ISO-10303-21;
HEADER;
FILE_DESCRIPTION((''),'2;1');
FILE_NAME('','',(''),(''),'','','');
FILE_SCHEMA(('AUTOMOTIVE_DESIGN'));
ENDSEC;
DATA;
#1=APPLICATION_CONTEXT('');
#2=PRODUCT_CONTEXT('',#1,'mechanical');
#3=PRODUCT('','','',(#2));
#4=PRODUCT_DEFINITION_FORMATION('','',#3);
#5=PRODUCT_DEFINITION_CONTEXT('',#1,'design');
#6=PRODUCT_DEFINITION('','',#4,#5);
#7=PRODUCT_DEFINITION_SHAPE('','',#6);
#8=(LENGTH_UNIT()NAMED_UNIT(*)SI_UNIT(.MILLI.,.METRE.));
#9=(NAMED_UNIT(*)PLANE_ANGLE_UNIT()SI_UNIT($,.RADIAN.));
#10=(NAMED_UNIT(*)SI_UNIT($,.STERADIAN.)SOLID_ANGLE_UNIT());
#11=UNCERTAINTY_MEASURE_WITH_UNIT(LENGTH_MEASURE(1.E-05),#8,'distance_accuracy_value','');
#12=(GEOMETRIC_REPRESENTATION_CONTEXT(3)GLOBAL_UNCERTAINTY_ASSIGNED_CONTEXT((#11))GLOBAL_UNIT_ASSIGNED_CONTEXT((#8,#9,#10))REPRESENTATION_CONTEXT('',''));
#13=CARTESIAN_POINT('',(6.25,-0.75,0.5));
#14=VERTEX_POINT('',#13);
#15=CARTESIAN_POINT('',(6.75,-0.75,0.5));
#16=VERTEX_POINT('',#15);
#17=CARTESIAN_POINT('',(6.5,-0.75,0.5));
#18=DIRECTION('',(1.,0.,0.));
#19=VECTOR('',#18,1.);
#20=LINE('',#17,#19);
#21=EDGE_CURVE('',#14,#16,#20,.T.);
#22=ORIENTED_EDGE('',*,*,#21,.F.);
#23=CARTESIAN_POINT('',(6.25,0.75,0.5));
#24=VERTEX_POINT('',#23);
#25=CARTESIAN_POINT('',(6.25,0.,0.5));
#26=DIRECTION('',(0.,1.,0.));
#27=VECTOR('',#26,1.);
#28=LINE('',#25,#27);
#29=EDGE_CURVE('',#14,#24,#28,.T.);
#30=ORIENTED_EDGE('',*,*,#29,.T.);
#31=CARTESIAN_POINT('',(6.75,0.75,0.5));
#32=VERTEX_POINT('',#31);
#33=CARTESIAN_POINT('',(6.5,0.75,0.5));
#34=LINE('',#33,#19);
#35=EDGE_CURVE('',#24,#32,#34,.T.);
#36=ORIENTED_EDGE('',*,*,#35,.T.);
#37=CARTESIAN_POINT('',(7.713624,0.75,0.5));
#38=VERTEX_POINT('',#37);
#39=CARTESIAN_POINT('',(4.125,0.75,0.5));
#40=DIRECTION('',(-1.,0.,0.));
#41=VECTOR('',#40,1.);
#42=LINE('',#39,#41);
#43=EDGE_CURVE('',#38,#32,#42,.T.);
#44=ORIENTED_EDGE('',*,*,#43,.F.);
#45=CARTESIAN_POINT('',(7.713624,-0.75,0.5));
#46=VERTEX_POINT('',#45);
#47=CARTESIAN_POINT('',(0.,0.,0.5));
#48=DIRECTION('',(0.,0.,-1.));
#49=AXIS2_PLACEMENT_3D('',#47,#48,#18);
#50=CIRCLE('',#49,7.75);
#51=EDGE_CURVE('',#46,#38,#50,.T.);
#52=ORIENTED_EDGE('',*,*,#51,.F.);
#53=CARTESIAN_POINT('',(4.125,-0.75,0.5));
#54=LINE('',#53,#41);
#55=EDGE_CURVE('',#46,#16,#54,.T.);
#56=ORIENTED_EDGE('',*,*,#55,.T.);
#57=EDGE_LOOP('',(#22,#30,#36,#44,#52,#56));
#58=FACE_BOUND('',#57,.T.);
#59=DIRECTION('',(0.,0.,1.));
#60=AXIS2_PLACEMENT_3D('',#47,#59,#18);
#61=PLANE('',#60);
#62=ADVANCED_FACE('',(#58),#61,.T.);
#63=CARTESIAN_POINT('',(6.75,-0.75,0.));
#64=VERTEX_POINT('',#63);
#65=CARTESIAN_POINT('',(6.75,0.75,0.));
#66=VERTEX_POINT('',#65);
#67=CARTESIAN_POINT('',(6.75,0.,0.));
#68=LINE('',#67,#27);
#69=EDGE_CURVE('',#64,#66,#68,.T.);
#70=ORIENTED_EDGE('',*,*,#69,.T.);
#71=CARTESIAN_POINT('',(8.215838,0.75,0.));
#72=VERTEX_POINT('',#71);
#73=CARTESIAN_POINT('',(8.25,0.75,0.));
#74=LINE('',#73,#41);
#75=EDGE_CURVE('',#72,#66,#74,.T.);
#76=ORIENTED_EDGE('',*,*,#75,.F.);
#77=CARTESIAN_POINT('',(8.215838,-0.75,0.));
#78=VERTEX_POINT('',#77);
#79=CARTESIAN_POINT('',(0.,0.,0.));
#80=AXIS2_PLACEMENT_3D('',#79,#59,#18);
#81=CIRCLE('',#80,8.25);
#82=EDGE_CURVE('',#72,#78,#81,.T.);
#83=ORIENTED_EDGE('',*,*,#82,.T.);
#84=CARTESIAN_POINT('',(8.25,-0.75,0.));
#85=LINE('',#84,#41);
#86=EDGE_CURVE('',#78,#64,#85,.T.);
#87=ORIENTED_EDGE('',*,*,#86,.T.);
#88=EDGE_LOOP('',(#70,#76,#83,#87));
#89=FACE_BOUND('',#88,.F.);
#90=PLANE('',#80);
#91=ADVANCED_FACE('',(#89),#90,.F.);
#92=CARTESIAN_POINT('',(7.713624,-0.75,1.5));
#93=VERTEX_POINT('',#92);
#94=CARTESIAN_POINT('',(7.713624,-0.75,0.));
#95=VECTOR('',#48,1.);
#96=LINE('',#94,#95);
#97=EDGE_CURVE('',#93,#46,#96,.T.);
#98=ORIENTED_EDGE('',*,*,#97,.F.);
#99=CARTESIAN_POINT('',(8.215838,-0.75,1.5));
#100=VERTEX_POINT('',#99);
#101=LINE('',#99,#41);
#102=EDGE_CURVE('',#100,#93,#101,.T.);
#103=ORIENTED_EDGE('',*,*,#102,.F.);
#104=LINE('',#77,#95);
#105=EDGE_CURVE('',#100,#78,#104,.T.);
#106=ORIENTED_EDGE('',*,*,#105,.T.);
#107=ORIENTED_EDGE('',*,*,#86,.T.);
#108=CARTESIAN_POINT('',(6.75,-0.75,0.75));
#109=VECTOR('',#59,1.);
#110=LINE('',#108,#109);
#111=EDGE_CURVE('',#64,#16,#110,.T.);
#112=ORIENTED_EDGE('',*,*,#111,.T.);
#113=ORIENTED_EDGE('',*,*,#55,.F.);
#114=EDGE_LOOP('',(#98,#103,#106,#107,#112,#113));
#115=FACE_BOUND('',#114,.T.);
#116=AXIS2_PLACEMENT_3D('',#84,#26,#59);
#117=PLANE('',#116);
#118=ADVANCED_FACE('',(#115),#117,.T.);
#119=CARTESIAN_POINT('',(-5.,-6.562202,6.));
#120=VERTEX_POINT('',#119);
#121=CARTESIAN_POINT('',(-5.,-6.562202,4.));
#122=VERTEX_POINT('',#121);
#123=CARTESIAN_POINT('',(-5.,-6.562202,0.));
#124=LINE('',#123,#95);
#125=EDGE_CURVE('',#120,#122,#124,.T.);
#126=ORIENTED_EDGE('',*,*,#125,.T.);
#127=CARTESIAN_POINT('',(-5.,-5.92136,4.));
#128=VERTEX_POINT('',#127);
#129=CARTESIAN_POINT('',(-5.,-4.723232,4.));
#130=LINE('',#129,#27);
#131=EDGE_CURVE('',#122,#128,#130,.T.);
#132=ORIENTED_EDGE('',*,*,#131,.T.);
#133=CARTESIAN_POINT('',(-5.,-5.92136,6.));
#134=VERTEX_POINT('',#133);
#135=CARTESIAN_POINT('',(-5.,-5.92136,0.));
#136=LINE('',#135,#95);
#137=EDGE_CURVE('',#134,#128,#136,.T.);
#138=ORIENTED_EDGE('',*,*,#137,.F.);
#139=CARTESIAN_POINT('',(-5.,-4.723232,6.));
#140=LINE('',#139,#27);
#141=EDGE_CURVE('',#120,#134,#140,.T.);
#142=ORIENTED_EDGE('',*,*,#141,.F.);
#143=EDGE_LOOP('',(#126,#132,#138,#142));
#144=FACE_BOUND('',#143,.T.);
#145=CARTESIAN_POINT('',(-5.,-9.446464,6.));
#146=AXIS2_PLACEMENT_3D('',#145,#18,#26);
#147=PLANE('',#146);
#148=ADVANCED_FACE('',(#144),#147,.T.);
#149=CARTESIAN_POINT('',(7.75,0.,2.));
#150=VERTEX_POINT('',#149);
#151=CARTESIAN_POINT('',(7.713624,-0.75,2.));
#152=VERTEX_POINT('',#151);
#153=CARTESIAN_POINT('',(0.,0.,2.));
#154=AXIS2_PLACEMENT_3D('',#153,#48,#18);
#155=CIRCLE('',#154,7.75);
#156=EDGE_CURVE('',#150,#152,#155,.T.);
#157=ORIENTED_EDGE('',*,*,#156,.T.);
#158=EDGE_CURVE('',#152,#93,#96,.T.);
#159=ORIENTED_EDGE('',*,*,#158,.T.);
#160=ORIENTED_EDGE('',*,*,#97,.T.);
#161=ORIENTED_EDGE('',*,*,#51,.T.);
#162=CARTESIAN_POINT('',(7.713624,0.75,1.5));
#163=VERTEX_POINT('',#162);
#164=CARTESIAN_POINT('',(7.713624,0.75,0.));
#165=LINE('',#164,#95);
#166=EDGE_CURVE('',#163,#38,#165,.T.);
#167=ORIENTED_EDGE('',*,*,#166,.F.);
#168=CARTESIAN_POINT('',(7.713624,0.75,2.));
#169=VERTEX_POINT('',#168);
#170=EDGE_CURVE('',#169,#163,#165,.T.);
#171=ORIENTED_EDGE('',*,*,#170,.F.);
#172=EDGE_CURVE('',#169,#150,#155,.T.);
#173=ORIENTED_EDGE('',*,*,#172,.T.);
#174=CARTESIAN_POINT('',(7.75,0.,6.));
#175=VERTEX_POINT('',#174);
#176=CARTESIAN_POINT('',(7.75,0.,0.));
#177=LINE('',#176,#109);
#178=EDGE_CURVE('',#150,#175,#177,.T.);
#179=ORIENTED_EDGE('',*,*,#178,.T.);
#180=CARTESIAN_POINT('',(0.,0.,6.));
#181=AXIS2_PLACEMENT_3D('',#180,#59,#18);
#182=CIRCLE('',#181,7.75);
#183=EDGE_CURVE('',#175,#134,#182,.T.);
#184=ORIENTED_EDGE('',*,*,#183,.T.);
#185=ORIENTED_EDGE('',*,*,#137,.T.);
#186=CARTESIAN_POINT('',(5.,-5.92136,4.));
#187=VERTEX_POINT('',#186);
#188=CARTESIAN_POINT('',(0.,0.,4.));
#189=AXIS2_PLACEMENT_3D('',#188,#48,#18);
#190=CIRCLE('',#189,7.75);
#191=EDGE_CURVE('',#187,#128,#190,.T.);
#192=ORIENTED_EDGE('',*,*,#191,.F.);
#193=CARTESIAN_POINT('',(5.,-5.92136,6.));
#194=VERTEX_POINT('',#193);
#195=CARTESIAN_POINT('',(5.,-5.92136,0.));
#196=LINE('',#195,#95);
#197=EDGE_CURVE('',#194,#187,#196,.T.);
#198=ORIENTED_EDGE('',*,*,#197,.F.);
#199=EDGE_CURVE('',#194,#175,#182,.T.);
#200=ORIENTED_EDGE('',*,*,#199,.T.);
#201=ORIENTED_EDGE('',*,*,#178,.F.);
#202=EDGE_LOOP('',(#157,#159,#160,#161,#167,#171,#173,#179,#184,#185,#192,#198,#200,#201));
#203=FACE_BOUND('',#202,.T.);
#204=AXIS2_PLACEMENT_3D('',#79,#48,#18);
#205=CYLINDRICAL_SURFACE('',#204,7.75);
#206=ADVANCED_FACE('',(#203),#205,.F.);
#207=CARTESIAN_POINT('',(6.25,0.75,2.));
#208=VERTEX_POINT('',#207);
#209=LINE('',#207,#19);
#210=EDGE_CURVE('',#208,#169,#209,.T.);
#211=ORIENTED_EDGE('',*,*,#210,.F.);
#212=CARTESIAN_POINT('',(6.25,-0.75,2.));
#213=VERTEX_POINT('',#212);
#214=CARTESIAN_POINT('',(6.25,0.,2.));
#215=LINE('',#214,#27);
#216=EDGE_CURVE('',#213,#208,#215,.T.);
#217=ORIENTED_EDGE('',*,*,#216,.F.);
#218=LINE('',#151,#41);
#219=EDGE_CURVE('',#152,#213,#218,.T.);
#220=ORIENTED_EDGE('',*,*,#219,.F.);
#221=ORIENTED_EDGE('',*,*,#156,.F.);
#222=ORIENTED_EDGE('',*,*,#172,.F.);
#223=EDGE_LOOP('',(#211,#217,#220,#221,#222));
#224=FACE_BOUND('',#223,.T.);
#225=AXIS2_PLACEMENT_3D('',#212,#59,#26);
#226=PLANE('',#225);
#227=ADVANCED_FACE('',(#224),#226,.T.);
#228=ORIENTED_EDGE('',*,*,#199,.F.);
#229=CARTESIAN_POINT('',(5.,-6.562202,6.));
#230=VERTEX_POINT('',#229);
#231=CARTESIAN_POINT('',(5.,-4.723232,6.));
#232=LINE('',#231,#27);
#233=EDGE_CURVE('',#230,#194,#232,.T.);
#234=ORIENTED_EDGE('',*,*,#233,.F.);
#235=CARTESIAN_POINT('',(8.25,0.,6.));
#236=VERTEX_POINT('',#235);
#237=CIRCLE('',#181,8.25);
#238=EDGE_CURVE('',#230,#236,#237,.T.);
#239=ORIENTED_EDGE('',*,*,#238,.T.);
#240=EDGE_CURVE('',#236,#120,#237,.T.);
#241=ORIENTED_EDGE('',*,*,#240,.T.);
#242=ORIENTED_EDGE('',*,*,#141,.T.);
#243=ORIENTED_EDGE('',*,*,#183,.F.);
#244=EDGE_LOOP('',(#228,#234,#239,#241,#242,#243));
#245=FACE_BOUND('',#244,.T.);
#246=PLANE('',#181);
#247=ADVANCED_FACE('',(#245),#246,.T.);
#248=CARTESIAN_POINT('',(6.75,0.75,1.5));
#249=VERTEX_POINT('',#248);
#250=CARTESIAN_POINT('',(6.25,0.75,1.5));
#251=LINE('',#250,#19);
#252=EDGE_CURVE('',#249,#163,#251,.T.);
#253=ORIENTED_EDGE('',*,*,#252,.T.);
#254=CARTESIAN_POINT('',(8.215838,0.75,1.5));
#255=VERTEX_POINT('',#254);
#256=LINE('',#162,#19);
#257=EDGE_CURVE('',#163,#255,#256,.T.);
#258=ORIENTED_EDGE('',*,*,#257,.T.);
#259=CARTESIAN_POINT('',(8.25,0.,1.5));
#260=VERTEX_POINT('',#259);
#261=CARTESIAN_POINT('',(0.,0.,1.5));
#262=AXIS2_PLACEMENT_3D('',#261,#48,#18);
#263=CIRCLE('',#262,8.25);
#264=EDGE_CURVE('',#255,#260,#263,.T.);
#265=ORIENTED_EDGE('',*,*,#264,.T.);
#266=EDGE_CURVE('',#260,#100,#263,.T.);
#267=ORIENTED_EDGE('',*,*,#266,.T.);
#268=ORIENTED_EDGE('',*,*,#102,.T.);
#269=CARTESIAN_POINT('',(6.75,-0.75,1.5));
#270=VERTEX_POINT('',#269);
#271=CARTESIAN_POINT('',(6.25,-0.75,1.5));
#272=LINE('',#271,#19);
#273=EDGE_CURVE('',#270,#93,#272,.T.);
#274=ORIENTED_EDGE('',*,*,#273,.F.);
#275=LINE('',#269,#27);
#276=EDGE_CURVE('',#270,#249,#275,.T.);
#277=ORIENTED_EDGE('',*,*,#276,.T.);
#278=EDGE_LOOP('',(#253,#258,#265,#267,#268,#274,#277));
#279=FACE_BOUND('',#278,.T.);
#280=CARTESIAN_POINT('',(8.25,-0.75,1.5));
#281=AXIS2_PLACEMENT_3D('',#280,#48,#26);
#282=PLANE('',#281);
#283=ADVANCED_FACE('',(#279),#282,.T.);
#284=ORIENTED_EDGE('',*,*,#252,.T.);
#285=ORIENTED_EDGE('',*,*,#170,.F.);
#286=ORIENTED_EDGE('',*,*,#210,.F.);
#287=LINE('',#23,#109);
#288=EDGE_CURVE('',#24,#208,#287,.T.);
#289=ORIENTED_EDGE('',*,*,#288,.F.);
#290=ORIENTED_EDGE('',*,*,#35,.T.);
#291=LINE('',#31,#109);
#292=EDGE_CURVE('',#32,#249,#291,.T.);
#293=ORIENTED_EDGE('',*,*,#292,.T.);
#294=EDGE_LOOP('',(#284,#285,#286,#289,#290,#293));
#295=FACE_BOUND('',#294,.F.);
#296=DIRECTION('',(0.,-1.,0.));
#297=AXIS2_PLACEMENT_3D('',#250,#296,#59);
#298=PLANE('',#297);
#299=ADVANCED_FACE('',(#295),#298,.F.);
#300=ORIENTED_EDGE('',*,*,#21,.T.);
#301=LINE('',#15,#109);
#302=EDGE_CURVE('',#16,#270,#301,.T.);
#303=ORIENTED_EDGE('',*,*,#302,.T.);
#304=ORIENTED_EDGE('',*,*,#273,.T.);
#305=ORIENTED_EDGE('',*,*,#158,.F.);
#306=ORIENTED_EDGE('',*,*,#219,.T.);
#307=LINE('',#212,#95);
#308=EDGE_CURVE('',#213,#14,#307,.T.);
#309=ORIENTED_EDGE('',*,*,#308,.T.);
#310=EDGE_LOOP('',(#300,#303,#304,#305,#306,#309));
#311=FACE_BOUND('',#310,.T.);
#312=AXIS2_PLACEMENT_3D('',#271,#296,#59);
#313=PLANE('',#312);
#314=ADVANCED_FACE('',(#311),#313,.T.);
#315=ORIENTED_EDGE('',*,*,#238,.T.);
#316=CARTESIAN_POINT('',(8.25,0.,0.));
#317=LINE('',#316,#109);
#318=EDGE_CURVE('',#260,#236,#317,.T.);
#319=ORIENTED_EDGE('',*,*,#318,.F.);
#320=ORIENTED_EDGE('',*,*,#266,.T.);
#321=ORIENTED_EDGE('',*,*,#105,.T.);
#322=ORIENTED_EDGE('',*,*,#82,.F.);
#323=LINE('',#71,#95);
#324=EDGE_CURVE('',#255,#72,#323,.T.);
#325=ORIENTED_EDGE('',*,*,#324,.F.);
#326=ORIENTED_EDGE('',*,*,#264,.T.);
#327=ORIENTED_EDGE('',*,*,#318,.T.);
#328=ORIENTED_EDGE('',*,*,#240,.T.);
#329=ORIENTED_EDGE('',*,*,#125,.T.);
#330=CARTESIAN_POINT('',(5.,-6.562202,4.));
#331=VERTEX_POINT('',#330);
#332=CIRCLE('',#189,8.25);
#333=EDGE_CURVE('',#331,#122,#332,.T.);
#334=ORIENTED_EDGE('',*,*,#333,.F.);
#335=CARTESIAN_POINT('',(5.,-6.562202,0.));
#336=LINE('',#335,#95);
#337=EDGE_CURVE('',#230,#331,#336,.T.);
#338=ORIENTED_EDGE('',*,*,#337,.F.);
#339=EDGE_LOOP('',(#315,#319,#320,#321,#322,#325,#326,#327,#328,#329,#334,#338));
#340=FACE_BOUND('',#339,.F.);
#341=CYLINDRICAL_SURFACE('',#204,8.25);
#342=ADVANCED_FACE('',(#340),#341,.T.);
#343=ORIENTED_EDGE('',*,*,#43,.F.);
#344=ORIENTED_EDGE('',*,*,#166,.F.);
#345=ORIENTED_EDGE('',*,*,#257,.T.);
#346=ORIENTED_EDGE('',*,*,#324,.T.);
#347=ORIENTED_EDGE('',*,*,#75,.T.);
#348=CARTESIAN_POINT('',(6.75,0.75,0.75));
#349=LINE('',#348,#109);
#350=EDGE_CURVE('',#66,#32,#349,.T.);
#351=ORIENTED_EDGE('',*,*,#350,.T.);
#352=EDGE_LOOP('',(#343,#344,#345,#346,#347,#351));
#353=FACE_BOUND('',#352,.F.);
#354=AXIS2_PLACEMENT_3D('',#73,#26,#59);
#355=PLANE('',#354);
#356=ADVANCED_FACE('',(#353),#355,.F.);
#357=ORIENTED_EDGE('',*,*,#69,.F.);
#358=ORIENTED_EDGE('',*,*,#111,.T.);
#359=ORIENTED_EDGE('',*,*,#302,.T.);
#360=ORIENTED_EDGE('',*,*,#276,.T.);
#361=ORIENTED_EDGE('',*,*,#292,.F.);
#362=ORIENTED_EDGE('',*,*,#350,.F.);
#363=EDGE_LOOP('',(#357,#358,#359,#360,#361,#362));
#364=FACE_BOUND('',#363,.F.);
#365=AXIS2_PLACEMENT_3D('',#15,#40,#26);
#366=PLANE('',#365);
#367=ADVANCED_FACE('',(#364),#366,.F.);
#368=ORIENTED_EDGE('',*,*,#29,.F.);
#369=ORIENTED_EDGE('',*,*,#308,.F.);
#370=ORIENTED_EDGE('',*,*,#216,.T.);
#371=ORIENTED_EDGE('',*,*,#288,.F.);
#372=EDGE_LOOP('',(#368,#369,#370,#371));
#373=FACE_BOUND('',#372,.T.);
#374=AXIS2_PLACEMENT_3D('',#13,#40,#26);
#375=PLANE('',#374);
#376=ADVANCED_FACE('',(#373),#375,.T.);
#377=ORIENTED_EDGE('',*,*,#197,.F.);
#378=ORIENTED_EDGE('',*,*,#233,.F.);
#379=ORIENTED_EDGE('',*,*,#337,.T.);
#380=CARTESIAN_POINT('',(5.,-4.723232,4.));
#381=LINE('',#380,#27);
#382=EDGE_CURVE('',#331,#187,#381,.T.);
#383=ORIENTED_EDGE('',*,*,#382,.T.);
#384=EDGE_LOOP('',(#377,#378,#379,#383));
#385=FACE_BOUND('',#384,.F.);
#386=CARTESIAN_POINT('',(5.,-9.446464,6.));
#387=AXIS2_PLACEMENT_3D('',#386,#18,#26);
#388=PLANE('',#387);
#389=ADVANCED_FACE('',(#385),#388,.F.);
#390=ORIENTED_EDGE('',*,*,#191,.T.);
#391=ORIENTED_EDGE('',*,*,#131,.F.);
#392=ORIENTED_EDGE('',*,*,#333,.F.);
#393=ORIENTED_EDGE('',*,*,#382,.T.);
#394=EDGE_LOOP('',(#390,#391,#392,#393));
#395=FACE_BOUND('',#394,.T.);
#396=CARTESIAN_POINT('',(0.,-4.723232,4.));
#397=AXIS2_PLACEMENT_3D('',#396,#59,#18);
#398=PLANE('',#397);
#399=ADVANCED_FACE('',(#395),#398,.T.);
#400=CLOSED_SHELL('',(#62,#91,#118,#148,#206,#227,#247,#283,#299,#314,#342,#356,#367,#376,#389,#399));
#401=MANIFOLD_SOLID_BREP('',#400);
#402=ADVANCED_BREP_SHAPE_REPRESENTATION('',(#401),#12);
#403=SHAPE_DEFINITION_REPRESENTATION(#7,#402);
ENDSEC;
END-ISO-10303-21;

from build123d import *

# Parameters (mm, degrees)
SKETCH003_R     = 8.25
PAD_DEPTH       = 6
THICKNESS_T     = -0.5
SKETCH004_W     = 10
SKETCH004_H     = 9.446465
POCKET_DEPTH    = 2
SKETCH005_W     = 1.5
SKETCH005_H     = 1.5
POCKET001_DEPTH = 1.5
SKETCH006_W     = 0.5
SKETCH006_H     = 1.5
PAD001_DEPTH    = 1.5
SKETCH007_W     = 1.5
SKETCH007_H     = 0.5
PAD002_DEPTH    = 1.75


with BuildPart() as part:
    # Sketch003 → Pad (new body)
    with BuildSketch(Plane.XY):
        Circle(SKETCH003_R)
    extrude(amount=PAD_DEPTH)

    # Thickness
    thickness_openings = [part.faces().sort_by_distance(p)[0] for p in [
        (0, 0, 6),
    ]]
    offset(amount=THICKNESS_T, openings=thickness_openings)

    # Sketch004 (on DatumPlane) → Pocket (cut)
    with BuildSketch(Plane.XY.offset(6)):
        with Locations((0, -4.723232)):
            Rectangle(SKETCH004_W, SKETCH004_H)
    extrude(amount=-POCKET_DEPTH, mode=Mode.SUBTRACT)

    # Sketch005 (on DatumPlane) → Pocket001 (cut)
    with BuildSketch(Plane.YZ.offset(8.25)):
        with Locations((0, 0.75)):
            Rectangle(SKETCH005_W, SKETCH005_H)
    extrude(amount=-POCKET001_DEPTH, mode=Mode.SUBTRACT)

    # Sketch006 (on DatumPlane) → Pad001 (join)
    with BuildSketch(Plane.XY.offset(0.5)):
        with Locations((6.5, 0)):
            Rectangle(SKETCH006_W, SKETCH006_H)
    extrude(amount=PAD001_DEPTH)

    # Sketch007 (on DatumPlane) → Pad002 (join)
    with BuildSketch(Plane.YZ.offset(6.25)):
        with Locations((0, 1.75)):
            Rectangle(SKETCH007_W, SKETCH007_H)
    extrude(amount=PAD002_DEPTH)


solid = part.part
